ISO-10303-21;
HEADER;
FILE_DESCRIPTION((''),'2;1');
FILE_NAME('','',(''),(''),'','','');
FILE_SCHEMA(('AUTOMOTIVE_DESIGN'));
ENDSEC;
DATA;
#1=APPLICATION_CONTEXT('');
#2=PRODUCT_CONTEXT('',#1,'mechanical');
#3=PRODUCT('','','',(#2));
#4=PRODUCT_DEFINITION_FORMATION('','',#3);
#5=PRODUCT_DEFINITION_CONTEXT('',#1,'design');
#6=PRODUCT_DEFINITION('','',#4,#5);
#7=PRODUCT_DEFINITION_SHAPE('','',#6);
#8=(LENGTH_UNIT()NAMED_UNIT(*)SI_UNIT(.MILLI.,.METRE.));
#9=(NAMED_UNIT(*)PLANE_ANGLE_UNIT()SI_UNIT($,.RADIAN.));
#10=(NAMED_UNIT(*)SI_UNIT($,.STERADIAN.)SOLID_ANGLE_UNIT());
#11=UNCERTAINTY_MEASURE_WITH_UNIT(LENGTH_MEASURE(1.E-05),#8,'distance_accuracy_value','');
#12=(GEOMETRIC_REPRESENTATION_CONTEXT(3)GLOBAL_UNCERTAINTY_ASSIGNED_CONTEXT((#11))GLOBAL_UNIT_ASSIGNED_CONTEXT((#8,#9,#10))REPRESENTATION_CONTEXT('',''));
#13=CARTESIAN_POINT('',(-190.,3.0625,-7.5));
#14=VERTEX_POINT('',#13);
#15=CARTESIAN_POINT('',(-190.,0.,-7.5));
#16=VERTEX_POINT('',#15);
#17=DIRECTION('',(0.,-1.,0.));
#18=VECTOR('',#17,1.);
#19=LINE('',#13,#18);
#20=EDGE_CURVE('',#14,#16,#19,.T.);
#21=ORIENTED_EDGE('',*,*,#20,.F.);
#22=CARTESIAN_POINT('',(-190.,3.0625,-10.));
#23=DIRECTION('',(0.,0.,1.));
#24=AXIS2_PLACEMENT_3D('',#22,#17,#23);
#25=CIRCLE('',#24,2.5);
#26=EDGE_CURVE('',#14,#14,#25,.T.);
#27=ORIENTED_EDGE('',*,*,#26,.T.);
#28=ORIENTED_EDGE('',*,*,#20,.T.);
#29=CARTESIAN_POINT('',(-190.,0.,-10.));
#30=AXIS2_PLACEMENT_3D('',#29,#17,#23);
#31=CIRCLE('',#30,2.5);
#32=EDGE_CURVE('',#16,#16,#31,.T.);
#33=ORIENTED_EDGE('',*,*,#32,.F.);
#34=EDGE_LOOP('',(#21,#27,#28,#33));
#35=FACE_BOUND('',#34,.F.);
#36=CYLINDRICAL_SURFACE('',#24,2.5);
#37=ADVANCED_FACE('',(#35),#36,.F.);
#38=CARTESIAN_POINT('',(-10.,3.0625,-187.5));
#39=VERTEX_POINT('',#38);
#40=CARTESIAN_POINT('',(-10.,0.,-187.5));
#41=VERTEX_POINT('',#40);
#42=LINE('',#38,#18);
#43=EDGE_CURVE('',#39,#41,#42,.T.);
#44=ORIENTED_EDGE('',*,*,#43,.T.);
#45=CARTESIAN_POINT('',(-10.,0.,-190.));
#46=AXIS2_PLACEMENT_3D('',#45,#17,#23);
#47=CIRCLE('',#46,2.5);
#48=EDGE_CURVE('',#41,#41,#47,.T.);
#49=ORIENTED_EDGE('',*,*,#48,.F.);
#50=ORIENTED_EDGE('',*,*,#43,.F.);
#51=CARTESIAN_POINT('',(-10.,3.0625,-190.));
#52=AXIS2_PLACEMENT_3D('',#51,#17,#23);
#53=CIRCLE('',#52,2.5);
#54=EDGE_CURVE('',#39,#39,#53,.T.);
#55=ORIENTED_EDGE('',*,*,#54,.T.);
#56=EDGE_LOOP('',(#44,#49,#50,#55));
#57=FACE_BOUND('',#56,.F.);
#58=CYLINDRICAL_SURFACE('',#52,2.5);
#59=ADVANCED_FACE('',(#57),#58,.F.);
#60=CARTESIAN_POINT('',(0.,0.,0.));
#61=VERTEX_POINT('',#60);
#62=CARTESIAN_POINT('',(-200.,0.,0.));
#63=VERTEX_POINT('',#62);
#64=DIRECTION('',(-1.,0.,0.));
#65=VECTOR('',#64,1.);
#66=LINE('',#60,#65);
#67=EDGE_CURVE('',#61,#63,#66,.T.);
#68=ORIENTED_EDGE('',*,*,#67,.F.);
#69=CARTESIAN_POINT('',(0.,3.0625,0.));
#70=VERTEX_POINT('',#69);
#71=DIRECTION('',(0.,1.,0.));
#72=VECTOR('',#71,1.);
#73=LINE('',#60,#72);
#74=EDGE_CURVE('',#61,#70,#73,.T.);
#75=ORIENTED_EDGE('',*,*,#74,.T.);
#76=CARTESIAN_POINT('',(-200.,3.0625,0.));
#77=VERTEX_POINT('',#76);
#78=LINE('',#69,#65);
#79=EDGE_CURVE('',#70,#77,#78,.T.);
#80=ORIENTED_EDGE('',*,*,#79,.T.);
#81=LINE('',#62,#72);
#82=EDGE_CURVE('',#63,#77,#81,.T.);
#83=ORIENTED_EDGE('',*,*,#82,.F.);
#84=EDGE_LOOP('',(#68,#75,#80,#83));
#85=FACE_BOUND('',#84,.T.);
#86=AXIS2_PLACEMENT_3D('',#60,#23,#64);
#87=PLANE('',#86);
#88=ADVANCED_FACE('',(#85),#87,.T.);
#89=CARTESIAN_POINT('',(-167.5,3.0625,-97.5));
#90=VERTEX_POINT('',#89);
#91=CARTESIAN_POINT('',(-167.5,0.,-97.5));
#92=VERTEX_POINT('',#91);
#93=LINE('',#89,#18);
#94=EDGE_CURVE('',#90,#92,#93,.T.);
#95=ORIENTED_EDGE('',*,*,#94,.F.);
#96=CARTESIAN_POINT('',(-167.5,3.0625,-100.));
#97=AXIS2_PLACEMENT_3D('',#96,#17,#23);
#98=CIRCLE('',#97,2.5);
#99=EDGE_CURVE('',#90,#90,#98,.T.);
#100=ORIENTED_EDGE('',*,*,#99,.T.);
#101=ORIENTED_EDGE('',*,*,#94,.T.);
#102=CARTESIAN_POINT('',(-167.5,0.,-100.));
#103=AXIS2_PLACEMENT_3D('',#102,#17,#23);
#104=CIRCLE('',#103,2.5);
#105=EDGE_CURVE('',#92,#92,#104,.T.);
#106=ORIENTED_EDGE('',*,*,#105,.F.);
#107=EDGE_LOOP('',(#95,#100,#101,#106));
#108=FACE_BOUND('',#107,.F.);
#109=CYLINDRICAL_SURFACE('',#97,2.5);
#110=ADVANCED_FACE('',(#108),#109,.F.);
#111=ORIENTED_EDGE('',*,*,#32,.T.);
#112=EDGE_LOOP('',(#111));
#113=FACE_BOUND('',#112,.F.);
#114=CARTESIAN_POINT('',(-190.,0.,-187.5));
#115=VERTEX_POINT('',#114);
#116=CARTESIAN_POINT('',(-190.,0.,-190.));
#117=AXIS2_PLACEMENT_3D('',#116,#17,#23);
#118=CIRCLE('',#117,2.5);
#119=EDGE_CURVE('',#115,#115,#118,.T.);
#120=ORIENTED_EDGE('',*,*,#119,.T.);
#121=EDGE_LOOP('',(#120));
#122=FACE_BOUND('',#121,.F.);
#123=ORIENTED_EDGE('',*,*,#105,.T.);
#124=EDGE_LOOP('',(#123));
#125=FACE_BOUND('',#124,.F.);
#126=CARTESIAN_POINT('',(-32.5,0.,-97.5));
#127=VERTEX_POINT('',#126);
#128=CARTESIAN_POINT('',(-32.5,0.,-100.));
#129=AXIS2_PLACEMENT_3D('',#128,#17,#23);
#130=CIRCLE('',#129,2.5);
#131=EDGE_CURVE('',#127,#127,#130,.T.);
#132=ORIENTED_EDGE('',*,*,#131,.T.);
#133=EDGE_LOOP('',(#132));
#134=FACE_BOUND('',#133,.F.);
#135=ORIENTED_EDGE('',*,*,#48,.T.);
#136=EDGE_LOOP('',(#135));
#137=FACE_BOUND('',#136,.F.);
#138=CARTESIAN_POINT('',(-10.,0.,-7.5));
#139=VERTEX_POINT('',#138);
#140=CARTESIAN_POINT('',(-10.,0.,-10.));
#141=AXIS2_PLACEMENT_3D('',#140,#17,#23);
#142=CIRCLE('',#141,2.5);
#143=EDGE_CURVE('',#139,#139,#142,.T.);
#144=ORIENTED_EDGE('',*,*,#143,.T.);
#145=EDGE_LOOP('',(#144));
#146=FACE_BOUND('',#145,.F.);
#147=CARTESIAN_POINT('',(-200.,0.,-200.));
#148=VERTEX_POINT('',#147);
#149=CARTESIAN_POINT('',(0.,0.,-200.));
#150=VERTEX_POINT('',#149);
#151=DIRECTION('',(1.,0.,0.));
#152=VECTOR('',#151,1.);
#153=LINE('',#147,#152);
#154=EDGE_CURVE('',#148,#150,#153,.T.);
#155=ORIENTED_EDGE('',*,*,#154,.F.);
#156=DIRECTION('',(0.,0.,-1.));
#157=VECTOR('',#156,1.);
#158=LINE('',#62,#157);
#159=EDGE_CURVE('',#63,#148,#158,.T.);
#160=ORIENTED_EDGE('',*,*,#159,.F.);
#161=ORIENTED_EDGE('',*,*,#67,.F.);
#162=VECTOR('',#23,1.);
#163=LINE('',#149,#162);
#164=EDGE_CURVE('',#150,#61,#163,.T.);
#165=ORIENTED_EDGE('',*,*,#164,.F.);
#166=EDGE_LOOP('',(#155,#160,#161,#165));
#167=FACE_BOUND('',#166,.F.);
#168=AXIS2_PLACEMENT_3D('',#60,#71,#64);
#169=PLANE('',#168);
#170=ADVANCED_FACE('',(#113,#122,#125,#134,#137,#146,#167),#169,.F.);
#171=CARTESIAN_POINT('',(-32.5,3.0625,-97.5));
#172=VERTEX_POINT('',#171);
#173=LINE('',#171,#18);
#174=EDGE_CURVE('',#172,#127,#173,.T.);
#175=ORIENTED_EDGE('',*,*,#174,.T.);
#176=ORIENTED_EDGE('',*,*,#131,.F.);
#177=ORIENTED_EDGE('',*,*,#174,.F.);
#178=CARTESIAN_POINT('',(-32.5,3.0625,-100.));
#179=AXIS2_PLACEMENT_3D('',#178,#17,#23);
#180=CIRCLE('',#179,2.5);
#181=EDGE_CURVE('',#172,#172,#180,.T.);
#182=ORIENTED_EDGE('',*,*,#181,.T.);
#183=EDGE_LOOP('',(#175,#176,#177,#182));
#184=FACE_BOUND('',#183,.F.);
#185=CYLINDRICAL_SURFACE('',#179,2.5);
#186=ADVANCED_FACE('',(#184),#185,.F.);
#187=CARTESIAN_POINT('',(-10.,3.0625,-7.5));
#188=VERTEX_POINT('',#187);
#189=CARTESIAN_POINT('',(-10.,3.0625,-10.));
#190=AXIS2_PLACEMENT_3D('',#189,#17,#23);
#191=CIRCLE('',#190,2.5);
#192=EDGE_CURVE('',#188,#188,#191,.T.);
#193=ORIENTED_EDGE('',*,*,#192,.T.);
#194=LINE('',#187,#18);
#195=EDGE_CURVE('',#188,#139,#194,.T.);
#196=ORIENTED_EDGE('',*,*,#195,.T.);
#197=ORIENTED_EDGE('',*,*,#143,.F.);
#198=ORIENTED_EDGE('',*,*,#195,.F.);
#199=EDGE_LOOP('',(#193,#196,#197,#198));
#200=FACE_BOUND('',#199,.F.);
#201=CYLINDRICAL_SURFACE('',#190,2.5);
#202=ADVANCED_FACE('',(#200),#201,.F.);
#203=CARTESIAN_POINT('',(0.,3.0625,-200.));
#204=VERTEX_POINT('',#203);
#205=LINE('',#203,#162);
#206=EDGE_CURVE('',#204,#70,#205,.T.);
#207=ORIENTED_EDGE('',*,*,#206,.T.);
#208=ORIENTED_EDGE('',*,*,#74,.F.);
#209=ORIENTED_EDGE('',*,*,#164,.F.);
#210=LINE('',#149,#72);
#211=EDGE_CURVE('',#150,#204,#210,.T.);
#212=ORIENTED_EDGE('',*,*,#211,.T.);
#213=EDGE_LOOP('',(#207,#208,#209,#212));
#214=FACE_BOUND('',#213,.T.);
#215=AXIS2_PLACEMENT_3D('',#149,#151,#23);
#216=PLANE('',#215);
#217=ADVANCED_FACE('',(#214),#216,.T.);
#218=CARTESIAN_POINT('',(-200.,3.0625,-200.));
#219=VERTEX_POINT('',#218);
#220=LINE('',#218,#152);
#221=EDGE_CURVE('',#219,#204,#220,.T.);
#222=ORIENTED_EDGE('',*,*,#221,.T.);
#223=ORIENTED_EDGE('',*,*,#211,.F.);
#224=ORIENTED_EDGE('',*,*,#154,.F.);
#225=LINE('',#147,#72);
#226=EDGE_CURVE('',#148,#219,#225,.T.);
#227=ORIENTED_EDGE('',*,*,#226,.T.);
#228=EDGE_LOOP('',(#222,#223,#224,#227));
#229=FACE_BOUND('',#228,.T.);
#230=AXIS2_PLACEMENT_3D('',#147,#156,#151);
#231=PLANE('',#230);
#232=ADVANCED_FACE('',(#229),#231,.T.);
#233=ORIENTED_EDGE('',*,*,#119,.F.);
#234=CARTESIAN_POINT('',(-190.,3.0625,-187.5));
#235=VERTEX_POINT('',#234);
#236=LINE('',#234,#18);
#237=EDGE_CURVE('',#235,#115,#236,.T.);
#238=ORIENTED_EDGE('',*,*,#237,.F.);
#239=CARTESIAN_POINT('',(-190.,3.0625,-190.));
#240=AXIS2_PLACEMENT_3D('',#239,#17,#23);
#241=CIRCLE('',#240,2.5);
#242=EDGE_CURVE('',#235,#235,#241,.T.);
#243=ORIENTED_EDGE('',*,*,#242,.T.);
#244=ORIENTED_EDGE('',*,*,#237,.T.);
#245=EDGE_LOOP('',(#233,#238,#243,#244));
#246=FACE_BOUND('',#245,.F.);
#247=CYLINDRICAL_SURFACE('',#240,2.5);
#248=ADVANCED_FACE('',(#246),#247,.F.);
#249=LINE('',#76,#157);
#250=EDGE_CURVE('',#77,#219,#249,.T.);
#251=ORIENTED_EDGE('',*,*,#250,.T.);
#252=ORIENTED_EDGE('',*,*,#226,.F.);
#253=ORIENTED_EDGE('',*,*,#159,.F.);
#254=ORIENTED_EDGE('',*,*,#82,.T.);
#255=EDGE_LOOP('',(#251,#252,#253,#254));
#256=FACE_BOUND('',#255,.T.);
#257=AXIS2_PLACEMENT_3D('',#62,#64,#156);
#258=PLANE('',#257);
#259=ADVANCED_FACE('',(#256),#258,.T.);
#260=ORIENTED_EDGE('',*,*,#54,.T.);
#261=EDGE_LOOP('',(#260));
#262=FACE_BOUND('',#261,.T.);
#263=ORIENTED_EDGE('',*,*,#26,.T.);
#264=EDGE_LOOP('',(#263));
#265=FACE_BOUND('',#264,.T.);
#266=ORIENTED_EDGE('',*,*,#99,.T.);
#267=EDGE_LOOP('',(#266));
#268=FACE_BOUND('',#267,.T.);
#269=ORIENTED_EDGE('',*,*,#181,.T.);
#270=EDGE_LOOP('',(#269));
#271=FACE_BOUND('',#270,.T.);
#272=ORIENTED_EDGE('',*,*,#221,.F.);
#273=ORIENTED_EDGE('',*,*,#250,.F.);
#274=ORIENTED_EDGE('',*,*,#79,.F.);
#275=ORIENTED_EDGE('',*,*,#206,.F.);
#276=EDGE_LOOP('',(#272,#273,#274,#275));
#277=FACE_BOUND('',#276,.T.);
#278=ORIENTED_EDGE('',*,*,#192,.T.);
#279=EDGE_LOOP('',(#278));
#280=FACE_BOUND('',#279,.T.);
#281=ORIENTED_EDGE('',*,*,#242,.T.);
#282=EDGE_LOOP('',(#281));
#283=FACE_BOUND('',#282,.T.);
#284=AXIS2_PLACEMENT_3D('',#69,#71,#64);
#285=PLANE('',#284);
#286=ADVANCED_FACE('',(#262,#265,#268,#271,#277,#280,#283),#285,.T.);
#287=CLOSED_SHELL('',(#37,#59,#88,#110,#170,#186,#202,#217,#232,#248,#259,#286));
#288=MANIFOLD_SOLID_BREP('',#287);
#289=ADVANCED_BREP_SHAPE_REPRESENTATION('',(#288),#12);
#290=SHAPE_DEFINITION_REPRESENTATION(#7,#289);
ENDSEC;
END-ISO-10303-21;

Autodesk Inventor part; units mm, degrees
ref_plane "YZ Plane" through (0, 0, 0) normal (1, 0, 0) x (0, 1, 0)
ref_plane "XZ Plane" through (0, 0, 0) normal (0, 1, 0) x (-1, 0, 0)
ref_plane "XY Plane" through (0, 0, 0) normal (0, 0, 1) x (1, 0, 0)
sketch "Esboço1" plane through (0, 0, 0) normal (0, 1, 0) x (-1, 0, 0)
  line L0 (0, 0) -> (200, 0)
  line L1 (200, 0) -> (200, -200)
  line L2 (200, -200) -> (0, -200)
  line L3 (0, -200) -> (0, 0)
  dimension "d0" = 200
  dimension "d1" = 200
extrude "Extrusão1" add sketch "Esboço1" along normal blind 3.0625
sketch "Esboço2" plane through (0, 3.0625, 0) normal (0, 1, 0) x (1, 0, 0)
  line L0 (0, 0) -> (0, 200) projected
  line L1 (-200, 0) -> (0, 0) projected
  line L2 (-200, 200) -> (-200, 0) projected
  line L3 (0, 200) -> (-200, 200) projected
  point P0 (-10, 10)
  point P1 (-190, 10)
  point P2 (-190, 190)
  point P3 (-10, 190)
  dimension "d4" = 10
  dimension "d5" = 10
  dimension "d6" = 10
  dimension "d7" = 10
  dimension "d8" = 10
  dimension "d9" = 10
  dimension "d10" = 10
  dimension "d11" = 10
  dimension "d34" = 200
  dimension "d35" = 200
hole "Furo1" at (-10, 3.0625, -10) at (-190, 3.0625, -10) at (-190, 3.0625, -190) at (-10, 3.0625, -190) direction (0, -1, 0) diameter 5 end through all
sketch "Esboço3" plane through (0, 3.0625, 0) normal (0, 1, 0) x (1, 0, 0)
  line L0 (-200, 200) -> (-200, 0) projected
  line L1 (-200, 0) -> (0, 0) projected
  line L2 (0, 0) -> (0, 200) projected
  line L3 (0, 200) -> (-200, 200) projected
  point P0 (-32.5, 100)
  point P1 (-167.5, 100)
  dimension "d22" = 135
  dimension "d46" = 200
  dimension "d49" = 100
  dimension "d50" = 0
  dimension "d51" = 32.5
hole "Furo2" at (-32.5, 3.0625, -100) at (-167.5, 3.0625, -100) direction (0, -1, 0) diameter 5 depth 3.0625
equation "\"d5\" = d4"
equation "\"d6\" = d4"
equation "\"d7\" = d5"
equation "\"d8\" = d5"
equation "\"d9\" = d5"
equation "\"d10\" = d9"
equation "\"d11\" = d10"
equation "\"d17\" = Espessura"
equation "\"d49\" = 0.5 * d46"
equation "\"d51\" = -0.5 * d22 + 0.5 * d46"
equation "\"d32\" = Espessura"
equation "\"Raio_vergadura\" = Espessura"
equation "\"Largura_alívio_de_vergadura\" = Espessura"
equation "\"Profundidade_alívio_de_vergadura\" = 0.5 * Espessura"
equation "\"Tamanho_alívio_de_dobra\" = 4 * Espessura"
equation "\"Remanescente_mínimo\" = 2 * Espessura"
equation "\"Raiodetransição\" = Raio_vergadura"
equation "\"Tamanho_de_raio_de_Jacobi\" = Raio_vergadura"
equation "\"TamanhoFolga\" = Espessura"
equation "\"Espessura\" = 0.5"
properties part number "Base de apoio" material "Aço inoxidável"
